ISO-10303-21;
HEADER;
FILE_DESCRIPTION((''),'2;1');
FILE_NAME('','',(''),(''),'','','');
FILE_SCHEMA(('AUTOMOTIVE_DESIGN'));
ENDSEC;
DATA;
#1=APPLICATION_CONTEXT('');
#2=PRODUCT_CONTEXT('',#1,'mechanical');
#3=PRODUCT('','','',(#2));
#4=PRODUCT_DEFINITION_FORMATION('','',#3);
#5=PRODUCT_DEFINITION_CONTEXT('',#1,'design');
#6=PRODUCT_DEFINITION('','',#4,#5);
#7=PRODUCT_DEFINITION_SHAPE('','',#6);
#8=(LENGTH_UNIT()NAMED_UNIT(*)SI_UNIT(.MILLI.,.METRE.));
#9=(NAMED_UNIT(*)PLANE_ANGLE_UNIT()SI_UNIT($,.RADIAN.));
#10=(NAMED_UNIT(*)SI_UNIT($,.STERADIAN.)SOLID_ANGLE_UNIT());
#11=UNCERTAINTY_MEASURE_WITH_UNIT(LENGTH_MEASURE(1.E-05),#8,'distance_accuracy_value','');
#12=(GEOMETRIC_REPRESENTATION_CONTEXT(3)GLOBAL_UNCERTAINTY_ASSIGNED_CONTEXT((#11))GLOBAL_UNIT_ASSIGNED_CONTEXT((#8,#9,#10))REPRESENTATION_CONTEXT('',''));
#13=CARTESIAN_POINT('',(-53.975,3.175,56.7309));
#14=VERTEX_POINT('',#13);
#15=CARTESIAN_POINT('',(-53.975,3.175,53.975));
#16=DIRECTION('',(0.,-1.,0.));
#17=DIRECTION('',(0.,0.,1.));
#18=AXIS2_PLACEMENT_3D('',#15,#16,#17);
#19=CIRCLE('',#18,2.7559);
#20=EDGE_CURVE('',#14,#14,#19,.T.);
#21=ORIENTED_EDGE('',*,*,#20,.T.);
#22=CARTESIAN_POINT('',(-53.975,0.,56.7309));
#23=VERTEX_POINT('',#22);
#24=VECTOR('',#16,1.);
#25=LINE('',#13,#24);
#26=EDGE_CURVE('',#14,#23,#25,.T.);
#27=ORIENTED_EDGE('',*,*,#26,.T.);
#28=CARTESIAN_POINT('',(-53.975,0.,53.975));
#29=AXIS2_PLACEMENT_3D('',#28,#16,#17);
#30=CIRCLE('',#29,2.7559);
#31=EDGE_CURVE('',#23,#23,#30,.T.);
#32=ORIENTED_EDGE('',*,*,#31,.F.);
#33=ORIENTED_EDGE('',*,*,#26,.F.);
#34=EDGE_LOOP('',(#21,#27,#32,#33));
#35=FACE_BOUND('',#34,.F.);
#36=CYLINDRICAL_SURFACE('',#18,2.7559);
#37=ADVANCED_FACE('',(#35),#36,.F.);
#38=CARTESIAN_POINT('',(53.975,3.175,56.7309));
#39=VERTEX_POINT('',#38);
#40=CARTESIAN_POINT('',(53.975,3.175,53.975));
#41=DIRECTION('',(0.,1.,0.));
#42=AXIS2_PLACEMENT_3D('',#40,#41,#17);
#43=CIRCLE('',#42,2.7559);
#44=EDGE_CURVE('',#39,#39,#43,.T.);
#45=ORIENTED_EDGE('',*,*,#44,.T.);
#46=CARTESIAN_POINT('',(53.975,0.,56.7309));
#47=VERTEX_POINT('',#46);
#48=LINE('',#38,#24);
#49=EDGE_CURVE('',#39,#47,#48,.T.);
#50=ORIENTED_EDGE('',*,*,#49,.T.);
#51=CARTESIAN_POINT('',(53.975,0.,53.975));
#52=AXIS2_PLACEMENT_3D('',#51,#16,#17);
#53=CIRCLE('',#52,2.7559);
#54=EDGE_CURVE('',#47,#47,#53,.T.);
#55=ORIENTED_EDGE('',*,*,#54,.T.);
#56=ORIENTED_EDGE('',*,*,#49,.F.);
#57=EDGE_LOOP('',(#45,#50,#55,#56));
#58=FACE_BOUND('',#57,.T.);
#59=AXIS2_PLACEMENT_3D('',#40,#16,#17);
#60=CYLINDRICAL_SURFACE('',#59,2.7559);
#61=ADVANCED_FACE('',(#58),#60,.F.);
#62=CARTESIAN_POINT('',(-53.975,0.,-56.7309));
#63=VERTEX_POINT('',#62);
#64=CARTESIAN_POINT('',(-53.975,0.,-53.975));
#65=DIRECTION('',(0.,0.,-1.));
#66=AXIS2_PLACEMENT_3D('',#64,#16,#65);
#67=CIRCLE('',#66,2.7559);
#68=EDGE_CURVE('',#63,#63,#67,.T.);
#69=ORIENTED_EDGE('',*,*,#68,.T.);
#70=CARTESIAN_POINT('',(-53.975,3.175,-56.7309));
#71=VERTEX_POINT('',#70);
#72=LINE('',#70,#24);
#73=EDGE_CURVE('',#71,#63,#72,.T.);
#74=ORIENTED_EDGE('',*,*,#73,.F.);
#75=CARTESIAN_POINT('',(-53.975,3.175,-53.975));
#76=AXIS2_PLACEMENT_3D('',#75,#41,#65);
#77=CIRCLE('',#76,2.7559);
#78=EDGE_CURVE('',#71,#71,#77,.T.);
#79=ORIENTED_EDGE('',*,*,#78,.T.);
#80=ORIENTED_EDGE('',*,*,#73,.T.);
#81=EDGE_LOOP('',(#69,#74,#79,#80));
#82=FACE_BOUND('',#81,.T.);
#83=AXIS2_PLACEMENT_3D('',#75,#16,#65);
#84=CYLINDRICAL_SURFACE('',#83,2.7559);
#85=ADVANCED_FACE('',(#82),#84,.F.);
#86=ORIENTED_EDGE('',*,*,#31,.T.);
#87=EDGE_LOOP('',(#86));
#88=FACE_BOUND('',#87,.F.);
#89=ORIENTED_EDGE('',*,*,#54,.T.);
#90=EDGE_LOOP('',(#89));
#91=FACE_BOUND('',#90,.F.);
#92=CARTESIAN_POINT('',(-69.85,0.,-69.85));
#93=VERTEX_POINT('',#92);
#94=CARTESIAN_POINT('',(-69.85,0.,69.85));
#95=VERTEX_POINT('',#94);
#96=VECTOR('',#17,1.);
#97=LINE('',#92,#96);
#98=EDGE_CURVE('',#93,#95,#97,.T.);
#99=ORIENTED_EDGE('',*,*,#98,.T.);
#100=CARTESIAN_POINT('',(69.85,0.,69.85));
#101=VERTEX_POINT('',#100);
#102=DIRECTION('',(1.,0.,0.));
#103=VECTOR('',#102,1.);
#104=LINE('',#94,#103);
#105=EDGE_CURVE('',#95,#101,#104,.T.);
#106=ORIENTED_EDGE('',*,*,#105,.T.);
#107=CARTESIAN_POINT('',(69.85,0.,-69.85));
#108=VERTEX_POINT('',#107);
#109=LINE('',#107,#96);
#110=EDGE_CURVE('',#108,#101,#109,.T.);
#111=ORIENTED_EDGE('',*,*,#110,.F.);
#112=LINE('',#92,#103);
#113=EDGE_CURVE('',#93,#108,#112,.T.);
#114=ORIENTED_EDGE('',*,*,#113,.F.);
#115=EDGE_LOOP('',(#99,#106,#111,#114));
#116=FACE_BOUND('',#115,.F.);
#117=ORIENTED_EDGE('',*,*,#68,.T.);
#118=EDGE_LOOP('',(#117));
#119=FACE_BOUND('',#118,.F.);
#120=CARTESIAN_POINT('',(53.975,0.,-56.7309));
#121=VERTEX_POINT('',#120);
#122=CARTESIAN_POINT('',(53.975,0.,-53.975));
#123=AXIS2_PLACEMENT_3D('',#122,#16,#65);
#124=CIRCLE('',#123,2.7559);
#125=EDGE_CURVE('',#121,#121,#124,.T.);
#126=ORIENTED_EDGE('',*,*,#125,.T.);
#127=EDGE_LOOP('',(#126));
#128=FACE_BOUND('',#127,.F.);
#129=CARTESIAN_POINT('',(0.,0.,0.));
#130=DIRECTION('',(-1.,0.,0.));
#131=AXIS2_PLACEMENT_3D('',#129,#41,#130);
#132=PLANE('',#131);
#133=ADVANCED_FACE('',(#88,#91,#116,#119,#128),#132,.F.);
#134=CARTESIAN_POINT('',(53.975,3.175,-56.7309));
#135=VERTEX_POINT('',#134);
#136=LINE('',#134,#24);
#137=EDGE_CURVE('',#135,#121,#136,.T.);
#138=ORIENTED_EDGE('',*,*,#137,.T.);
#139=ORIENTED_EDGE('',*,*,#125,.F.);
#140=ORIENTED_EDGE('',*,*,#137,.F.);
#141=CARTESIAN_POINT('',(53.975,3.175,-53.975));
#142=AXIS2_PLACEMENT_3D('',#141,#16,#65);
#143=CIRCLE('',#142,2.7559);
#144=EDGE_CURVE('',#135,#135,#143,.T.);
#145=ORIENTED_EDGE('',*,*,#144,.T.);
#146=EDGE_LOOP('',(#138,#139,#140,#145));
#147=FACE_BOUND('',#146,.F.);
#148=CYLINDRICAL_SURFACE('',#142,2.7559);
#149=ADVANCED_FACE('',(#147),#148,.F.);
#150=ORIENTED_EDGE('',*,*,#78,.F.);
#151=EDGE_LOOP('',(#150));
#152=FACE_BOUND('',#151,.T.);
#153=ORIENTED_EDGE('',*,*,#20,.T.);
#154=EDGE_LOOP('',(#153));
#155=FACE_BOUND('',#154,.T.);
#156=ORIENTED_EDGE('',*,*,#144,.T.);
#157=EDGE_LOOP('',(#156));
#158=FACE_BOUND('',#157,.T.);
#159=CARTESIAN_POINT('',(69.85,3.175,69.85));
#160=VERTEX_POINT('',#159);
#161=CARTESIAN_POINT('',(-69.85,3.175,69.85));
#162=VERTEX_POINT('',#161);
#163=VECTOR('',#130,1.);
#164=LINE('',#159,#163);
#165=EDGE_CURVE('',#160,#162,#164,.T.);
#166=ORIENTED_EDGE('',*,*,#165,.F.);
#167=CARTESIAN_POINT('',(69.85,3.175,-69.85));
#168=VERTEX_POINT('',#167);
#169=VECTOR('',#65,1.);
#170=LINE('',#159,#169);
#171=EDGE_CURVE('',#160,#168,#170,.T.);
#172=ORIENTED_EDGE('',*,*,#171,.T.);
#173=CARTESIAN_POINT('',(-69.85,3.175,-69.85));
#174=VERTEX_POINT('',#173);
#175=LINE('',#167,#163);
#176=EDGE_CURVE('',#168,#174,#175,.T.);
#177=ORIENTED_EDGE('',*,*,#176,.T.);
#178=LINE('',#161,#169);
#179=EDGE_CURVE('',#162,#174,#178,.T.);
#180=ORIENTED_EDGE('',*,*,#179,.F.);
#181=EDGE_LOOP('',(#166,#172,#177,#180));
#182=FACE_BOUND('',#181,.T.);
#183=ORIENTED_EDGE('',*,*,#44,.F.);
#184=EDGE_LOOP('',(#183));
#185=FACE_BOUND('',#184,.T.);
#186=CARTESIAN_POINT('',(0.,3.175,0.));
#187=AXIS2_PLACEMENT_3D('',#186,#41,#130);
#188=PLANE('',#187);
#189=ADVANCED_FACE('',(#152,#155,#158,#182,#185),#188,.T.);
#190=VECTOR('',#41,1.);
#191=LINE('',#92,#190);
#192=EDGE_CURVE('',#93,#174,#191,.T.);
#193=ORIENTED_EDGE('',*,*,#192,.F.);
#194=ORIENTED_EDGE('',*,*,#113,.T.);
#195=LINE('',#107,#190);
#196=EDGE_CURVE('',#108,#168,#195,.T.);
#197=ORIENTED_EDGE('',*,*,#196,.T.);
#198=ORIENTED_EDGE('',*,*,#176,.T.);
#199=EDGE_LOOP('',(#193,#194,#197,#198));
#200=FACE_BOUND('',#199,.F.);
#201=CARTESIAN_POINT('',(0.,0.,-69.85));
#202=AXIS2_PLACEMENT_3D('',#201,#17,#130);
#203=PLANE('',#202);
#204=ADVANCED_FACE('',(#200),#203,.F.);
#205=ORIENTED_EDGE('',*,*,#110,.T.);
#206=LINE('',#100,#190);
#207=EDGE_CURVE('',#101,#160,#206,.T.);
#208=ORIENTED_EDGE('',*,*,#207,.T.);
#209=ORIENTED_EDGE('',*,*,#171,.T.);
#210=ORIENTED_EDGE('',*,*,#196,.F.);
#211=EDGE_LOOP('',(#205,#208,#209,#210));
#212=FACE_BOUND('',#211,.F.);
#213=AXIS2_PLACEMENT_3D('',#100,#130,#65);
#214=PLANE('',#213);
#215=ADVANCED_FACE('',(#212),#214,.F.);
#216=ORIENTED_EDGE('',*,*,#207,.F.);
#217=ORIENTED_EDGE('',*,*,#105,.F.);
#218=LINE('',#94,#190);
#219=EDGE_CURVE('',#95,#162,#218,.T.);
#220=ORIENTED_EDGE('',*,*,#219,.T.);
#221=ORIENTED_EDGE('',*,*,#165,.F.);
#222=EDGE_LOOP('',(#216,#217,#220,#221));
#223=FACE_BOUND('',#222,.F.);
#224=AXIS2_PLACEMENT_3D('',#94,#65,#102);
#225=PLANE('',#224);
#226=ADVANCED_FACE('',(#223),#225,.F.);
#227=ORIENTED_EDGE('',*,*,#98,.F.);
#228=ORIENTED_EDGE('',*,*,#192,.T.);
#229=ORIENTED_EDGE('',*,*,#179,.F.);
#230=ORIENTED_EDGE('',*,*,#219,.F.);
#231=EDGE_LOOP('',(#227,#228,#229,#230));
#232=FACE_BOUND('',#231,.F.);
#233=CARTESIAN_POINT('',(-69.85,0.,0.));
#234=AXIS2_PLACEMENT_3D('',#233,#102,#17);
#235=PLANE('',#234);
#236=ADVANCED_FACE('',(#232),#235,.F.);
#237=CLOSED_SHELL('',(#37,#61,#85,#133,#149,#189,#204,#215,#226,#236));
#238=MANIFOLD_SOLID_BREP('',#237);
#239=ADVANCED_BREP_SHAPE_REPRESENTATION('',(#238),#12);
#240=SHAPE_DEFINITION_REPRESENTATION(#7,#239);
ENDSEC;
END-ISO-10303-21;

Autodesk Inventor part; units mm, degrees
ref_plane "YZ Plane" through (0, 0, 0) normal (1, 0, 0) x (0, 1, 0)
ref_plane "XZ Plane" through (0, 0, 0) normal (0, 1, 0) x (-1, 0, 0)
ref_plane "XY Plane" through (0, 0, 0) normal (0, 0, 1) x (1, 0, 0)
sketch "Sketch1" plane through (0, 0, 0) normal (0, 1, 0) x (-1, 0, 0)
  line L0 (69.85, 69.85) -> (-69.85, 69.85)
  line L1 (-69.85, 69.85) -> (-69.85, -69.85)
  line L2 (-69.85, -69.85) -> (69.85, -69.85)
  line L3 (69.85, -69.85) -> (69.85, 69.85)
  line L4 (97.79, 0) -> (-97.79, 0) projected
  line L5 (0, -97.79) -> (0, 97.79) projected
  point P0 (0, 0)
  dimension "d0" = 139.7
  dimension "d1" = 139.7
extrude "Extrusion1" add sketch "Sketch1" along normal blind 3.175
sketch "Sketch2" plane through (0, 3.175, 0) normal (0, 1, 0) x (1, 0, 0)
  line L0 (-69.85, 69.85) -> (-69.85, -69.85) projected
  line L1 (-69.85, -69.85) -> (-69.85, -53.975)
  line L2 (-69.85, -53.975) -> (-53.975, -53.975)
  point P0 (0, 0)
  dimension "d4" = 15.875
  dimension "d5" = 15.875
hole "Hole1" at (-53.975, 3.175, 53.975) direction (0, -1, 0) diameter 5.5118 depth 14.1986 tip angle 118 clearance for "Flat Head Machine Screw" size "M5" standard "Ansi Metric M Profile"
mirror "Mirror4" about plane through (0, 0, 0) normal (0, 0, 1) of "Hole1"
mirror "Mirror5" about plane through (0, 0, 0) normal (1, 0, 0) of "Hole1", "Mirror4"
equation "\"d0\" = d1"
equation "\"d4\" = d5"
properties part number "CH3-DiffHousingBottom"
